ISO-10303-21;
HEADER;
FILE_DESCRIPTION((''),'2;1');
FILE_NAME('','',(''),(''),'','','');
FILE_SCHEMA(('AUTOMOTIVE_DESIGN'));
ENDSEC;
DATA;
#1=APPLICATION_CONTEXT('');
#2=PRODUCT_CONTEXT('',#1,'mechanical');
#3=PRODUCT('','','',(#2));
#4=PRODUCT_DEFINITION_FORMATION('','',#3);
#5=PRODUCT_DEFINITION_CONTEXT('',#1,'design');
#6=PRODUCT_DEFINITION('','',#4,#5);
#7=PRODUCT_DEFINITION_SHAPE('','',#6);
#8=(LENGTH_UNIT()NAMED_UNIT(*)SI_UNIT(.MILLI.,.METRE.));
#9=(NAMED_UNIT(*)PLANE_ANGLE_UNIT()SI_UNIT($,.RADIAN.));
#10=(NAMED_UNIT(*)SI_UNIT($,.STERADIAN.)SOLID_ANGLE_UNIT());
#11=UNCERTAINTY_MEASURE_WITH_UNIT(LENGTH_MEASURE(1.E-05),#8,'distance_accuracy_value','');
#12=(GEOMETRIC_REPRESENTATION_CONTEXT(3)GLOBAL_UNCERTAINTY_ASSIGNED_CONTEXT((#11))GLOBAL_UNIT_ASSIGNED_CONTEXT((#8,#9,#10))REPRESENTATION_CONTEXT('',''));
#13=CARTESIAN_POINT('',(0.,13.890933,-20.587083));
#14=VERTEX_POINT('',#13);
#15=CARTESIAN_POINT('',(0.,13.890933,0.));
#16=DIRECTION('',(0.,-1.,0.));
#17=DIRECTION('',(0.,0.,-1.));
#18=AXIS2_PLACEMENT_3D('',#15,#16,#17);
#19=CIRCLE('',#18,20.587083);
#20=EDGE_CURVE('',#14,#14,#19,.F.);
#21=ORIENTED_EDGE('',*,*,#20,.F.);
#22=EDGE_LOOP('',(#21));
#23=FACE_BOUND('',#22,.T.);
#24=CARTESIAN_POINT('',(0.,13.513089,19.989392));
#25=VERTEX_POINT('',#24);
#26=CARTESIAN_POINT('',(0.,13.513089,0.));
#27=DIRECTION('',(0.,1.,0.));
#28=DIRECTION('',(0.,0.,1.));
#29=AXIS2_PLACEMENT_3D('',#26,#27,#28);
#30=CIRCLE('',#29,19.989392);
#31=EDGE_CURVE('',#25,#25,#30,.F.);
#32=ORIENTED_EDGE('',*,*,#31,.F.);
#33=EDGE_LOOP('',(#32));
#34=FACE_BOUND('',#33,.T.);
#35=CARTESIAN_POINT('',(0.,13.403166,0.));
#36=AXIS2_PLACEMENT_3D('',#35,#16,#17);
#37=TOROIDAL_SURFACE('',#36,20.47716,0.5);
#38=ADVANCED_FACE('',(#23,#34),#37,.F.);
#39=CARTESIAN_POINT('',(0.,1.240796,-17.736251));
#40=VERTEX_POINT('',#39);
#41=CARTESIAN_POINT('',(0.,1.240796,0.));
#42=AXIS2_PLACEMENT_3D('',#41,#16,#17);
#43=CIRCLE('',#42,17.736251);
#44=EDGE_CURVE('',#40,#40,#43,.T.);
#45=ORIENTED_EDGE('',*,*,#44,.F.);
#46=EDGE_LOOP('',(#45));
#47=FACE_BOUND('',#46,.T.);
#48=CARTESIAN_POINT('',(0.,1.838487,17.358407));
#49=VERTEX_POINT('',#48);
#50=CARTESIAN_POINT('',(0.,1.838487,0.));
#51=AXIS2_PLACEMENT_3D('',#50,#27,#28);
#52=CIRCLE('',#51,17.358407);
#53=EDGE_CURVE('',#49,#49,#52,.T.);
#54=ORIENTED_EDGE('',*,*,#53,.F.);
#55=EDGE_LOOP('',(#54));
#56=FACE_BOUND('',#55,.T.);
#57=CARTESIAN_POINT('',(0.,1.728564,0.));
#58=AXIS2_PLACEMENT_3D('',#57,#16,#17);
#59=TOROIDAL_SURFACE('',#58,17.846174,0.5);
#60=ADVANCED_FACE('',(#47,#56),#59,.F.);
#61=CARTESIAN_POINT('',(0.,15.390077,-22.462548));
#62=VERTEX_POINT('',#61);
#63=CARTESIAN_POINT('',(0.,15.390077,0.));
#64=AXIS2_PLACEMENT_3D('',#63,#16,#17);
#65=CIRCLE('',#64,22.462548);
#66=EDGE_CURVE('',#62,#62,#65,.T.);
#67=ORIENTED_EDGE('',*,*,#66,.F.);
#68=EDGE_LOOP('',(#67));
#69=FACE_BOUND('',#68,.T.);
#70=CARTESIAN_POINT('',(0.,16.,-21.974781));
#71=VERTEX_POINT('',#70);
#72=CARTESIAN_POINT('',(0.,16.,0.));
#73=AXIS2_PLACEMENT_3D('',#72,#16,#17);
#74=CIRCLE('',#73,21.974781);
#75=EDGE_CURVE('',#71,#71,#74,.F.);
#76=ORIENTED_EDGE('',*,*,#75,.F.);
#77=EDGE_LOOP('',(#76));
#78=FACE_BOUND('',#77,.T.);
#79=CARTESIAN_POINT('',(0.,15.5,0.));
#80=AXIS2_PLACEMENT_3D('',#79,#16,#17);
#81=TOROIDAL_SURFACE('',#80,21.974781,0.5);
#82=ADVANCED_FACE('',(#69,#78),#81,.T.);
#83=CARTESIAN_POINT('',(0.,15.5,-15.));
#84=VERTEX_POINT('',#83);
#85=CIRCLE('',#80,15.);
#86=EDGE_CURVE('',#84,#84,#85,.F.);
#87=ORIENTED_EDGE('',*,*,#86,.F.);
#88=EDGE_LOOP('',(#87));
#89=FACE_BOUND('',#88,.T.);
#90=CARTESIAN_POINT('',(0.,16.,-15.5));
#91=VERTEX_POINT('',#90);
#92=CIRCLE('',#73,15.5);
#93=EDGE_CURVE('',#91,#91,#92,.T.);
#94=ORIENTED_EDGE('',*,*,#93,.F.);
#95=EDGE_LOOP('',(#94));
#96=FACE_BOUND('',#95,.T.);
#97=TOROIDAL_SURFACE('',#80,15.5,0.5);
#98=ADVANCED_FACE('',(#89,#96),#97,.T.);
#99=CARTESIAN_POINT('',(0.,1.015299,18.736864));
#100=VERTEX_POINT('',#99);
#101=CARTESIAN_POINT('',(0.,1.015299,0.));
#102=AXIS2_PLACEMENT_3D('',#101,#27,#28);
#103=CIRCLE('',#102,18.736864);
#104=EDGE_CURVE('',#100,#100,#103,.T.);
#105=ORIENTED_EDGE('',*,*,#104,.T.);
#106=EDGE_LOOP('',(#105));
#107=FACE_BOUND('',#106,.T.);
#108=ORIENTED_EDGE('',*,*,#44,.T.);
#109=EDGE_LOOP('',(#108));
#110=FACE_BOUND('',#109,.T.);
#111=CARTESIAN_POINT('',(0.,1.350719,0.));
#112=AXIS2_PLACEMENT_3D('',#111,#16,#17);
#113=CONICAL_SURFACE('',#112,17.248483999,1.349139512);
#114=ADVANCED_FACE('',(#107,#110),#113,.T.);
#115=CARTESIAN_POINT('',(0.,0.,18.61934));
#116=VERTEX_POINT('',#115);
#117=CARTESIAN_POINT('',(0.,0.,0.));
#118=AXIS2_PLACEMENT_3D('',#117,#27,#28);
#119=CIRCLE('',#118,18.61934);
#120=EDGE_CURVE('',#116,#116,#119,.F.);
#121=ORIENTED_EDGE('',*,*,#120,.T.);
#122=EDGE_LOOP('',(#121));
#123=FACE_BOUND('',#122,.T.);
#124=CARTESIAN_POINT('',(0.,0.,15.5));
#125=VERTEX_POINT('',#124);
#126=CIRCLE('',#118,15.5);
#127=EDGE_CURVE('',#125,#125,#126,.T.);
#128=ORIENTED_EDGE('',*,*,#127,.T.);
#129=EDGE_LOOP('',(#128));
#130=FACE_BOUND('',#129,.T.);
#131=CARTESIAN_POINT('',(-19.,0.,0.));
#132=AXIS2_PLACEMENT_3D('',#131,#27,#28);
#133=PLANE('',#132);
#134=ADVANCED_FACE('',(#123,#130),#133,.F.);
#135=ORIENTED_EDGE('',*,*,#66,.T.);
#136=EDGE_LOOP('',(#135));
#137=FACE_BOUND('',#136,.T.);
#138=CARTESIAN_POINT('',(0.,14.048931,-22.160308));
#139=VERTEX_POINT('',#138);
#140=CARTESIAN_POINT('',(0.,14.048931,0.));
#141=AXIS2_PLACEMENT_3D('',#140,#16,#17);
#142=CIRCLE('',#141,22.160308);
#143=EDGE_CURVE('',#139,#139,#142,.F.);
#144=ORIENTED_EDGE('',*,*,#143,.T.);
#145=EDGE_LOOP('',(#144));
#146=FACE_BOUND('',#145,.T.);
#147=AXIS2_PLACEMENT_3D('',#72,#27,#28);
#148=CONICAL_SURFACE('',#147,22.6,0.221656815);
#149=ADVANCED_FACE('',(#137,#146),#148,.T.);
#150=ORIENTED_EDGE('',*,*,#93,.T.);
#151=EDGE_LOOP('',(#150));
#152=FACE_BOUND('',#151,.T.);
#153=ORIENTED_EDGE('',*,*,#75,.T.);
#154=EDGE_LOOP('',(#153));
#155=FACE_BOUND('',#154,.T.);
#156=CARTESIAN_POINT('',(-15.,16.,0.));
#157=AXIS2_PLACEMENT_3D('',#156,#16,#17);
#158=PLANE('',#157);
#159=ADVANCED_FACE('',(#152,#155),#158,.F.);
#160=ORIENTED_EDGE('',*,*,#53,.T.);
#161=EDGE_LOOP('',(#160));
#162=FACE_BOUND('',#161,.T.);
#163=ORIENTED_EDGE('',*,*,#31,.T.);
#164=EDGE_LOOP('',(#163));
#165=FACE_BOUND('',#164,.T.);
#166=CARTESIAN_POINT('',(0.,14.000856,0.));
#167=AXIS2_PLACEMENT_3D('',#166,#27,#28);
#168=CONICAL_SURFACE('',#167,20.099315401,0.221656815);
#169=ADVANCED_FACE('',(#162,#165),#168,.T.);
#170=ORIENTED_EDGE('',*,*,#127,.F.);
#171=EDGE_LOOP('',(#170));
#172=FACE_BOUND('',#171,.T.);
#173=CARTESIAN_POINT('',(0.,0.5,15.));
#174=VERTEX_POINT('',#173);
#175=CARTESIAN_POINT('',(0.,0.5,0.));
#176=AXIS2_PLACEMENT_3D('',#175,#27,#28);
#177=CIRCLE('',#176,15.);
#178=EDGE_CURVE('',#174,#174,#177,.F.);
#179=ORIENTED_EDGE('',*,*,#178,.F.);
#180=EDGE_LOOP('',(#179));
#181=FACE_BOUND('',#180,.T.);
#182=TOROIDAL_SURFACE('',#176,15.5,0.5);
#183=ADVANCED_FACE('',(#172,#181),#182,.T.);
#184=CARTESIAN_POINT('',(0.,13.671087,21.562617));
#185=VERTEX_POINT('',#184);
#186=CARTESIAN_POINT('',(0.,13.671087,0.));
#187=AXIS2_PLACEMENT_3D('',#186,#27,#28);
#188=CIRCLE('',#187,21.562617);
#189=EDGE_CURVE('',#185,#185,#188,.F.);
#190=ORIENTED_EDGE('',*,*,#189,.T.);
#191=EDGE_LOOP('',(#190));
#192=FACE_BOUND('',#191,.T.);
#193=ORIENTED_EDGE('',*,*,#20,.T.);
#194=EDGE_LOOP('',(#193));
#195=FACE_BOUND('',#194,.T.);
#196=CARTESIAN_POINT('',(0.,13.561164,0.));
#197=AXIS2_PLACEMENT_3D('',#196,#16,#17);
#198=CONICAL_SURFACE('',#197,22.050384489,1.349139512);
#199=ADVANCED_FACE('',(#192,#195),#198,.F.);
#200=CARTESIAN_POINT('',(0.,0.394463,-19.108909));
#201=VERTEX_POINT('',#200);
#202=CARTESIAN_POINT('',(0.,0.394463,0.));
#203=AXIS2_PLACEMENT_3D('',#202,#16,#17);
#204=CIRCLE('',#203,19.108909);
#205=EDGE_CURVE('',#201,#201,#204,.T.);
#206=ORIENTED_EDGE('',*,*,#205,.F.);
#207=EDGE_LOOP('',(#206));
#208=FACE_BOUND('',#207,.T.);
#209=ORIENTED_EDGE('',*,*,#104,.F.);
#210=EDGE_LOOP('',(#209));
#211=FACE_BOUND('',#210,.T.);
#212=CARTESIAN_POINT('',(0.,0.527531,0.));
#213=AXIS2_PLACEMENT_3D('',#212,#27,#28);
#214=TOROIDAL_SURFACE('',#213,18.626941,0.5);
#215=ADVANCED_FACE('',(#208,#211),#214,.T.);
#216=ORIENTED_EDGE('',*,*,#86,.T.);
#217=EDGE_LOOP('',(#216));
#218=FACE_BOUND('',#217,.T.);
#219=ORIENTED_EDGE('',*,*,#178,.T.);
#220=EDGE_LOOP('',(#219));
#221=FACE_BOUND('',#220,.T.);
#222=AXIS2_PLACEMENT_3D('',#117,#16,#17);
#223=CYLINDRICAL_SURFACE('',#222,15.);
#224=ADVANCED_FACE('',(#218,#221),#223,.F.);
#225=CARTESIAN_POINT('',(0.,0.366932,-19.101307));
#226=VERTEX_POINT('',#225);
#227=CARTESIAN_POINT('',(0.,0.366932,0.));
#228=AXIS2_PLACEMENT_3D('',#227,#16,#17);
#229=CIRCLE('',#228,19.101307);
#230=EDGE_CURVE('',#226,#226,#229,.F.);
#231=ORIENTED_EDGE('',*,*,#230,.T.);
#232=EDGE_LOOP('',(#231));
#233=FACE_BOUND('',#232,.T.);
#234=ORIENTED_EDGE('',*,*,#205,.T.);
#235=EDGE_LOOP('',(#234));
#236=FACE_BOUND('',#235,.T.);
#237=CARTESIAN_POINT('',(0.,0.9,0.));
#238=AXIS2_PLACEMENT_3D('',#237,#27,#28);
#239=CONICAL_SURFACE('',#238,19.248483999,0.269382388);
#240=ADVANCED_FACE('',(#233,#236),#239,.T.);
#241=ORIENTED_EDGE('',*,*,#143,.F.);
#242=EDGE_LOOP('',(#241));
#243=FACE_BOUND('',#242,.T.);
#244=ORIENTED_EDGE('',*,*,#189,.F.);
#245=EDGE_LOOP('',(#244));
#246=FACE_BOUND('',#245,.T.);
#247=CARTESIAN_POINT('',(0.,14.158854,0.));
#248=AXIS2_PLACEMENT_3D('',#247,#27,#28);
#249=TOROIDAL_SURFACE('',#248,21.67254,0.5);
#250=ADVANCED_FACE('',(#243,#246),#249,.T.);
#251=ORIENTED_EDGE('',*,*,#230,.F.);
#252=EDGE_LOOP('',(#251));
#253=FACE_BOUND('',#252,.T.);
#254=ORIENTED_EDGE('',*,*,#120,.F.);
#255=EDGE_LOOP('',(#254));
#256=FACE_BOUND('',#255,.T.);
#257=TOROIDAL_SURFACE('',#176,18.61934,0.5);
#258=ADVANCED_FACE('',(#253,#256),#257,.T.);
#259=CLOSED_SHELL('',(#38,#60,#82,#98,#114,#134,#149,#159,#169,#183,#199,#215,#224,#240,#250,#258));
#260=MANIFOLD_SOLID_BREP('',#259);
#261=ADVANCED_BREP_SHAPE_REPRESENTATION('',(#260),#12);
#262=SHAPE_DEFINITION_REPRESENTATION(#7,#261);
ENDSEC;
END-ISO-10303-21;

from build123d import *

# Parameters (mm, degrees)
FILLET1_R = 0.5
FILLET2_R = 0.5


with BuildPart() as part:
    # Sketch1 → Revolve1 (revolve)
    with BuildSketch(Plane.XY):
        Polygon((-15, 0), (-15, 16), (-22.6, 16), (-22.050384489, 13.56116364), (-20.099315401, 14.000856049), (-17.248483999, 1.350719466), (-19.248483999, 0.9), (-19, 0), align=None)
    revolve(axis=Axis((0, 0, 0), (0, 1, 0)))

    # Fillet1
    fillet1_edges = [part.edges().sort_by_distance(p)[0] for p in [
        (15, 16, 0),
        (15, 0, 0),
    ]]
    fillet(fillet1_edges, radius=FILLET1_R)

    # Fillet2
    fillet2_edges = [part.edges().sort_by_distance(p)[0] for p in [
        (19, 0, 0),
        (19.248483999, 0.9, 0),
        (17.248483999, 1.350719466, 0),
        (20.099315401, 14.000856049, 0),
        (22.050384489, 13.56116364, 0),
        (22.6, 16, 0),
    ]]
    fillet(fillet2_edges, radius=FILLET2_R)


solid = part.part
